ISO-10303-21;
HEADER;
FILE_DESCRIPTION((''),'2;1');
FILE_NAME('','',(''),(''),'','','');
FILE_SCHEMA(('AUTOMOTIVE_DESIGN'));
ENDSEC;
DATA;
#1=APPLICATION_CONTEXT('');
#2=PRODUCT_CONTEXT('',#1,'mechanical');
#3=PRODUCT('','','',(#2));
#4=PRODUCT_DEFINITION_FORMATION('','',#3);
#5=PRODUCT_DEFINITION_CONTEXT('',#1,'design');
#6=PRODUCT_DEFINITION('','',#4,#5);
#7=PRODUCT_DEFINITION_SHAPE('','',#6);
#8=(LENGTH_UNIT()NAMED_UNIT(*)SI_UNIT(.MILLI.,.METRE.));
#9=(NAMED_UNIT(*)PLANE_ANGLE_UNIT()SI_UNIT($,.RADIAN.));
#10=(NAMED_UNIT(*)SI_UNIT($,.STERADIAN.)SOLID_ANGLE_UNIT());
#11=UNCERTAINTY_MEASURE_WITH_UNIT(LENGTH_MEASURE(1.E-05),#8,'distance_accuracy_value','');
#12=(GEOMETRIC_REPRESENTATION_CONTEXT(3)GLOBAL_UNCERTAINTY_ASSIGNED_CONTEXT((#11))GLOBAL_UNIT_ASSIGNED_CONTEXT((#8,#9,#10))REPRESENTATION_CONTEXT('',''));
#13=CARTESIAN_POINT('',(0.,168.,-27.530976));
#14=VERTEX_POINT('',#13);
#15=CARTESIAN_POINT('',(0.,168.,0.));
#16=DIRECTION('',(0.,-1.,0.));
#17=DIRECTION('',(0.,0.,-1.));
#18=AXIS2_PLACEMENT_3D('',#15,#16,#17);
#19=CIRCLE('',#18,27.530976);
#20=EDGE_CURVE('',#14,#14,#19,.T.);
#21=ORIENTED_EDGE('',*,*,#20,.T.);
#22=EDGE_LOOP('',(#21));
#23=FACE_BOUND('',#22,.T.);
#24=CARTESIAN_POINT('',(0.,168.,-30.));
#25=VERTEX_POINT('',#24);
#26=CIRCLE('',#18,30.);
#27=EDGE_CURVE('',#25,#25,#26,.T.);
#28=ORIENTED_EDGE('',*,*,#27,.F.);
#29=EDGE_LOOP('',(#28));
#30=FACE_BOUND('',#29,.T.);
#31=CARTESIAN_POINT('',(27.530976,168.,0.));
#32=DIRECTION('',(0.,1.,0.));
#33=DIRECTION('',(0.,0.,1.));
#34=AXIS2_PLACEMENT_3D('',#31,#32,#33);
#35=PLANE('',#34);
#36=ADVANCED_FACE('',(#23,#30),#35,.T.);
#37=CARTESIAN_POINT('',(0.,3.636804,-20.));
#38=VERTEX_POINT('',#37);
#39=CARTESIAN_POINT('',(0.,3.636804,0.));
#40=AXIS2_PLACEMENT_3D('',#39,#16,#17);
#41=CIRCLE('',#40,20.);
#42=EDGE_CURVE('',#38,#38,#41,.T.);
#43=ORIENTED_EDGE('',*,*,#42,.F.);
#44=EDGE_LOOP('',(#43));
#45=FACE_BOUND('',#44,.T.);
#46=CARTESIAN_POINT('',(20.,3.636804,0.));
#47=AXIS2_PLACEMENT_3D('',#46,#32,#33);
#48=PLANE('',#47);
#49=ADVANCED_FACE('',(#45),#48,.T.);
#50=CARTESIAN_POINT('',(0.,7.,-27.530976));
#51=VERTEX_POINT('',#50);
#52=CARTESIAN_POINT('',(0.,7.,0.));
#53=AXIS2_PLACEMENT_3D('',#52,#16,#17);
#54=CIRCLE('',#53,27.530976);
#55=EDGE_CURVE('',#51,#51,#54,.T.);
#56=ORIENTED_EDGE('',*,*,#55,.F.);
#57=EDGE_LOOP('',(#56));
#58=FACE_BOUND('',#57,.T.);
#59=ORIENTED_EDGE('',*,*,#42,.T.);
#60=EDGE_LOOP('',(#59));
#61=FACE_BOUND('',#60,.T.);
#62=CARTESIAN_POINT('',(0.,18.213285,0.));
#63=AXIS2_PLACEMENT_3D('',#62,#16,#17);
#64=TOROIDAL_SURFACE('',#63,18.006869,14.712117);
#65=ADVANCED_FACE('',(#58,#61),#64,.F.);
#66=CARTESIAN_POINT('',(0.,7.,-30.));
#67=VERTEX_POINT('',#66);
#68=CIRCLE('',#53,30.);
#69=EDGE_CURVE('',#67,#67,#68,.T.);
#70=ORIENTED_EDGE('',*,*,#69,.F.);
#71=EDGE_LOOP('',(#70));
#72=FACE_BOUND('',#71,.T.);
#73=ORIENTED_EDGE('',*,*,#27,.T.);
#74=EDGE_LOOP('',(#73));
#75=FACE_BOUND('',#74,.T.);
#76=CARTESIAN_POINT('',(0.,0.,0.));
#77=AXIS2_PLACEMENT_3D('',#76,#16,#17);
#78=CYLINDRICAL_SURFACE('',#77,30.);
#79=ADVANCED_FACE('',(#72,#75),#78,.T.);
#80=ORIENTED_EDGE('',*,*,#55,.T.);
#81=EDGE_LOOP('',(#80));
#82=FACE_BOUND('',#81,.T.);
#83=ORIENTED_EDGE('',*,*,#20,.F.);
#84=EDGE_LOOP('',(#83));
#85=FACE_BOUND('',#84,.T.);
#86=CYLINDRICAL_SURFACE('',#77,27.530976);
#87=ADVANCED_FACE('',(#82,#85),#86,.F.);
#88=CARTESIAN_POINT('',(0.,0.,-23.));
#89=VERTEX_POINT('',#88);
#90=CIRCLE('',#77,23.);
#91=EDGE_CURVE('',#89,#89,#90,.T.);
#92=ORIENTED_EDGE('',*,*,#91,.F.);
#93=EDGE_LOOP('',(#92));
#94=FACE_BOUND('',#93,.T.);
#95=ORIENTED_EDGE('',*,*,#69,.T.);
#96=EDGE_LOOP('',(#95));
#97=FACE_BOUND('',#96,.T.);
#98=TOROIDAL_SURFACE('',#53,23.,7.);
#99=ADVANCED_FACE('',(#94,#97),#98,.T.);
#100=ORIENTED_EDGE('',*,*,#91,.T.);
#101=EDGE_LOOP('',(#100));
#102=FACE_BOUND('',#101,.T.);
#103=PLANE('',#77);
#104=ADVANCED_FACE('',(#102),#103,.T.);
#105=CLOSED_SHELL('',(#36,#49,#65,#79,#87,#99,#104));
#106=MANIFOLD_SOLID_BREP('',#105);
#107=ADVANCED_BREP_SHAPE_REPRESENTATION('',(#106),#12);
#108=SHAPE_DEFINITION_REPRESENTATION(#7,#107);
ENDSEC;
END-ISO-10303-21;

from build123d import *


with BuildPart() as part:
    # Sketch2 → Revolve1 (revolve)
    with BuildSketch(Plane.XY, mode=Mode.PRIVATE) as revolve1_sk:
        with BuildLine():
            Line((27.530975966, 168), (27.530975966, 7))
            ThreePointArc((27.530975966, 7), (24.005991012, 4.779859802), (20, 3.636803621))
            Line((20, 3.636803621), (0, 3.636803621))
            Line((0, 3.636803621), (0, 0))
            Line((0, 0), (23, 0))
            ThreePointArc((23, 0), (27.949747468, 2.050252532), (30, 7))
            Line((30, 7), (30, 168))
            Line((30, 168), (27.530975966, 168))
        make_face()
    revolve(revolve1_sk.sketch.rotate(Axis((0, 0, 0), (0, 1, 0)), 90), axis=Axis((0, 0, 0), (0, 1, 0)))


solid = part.part
